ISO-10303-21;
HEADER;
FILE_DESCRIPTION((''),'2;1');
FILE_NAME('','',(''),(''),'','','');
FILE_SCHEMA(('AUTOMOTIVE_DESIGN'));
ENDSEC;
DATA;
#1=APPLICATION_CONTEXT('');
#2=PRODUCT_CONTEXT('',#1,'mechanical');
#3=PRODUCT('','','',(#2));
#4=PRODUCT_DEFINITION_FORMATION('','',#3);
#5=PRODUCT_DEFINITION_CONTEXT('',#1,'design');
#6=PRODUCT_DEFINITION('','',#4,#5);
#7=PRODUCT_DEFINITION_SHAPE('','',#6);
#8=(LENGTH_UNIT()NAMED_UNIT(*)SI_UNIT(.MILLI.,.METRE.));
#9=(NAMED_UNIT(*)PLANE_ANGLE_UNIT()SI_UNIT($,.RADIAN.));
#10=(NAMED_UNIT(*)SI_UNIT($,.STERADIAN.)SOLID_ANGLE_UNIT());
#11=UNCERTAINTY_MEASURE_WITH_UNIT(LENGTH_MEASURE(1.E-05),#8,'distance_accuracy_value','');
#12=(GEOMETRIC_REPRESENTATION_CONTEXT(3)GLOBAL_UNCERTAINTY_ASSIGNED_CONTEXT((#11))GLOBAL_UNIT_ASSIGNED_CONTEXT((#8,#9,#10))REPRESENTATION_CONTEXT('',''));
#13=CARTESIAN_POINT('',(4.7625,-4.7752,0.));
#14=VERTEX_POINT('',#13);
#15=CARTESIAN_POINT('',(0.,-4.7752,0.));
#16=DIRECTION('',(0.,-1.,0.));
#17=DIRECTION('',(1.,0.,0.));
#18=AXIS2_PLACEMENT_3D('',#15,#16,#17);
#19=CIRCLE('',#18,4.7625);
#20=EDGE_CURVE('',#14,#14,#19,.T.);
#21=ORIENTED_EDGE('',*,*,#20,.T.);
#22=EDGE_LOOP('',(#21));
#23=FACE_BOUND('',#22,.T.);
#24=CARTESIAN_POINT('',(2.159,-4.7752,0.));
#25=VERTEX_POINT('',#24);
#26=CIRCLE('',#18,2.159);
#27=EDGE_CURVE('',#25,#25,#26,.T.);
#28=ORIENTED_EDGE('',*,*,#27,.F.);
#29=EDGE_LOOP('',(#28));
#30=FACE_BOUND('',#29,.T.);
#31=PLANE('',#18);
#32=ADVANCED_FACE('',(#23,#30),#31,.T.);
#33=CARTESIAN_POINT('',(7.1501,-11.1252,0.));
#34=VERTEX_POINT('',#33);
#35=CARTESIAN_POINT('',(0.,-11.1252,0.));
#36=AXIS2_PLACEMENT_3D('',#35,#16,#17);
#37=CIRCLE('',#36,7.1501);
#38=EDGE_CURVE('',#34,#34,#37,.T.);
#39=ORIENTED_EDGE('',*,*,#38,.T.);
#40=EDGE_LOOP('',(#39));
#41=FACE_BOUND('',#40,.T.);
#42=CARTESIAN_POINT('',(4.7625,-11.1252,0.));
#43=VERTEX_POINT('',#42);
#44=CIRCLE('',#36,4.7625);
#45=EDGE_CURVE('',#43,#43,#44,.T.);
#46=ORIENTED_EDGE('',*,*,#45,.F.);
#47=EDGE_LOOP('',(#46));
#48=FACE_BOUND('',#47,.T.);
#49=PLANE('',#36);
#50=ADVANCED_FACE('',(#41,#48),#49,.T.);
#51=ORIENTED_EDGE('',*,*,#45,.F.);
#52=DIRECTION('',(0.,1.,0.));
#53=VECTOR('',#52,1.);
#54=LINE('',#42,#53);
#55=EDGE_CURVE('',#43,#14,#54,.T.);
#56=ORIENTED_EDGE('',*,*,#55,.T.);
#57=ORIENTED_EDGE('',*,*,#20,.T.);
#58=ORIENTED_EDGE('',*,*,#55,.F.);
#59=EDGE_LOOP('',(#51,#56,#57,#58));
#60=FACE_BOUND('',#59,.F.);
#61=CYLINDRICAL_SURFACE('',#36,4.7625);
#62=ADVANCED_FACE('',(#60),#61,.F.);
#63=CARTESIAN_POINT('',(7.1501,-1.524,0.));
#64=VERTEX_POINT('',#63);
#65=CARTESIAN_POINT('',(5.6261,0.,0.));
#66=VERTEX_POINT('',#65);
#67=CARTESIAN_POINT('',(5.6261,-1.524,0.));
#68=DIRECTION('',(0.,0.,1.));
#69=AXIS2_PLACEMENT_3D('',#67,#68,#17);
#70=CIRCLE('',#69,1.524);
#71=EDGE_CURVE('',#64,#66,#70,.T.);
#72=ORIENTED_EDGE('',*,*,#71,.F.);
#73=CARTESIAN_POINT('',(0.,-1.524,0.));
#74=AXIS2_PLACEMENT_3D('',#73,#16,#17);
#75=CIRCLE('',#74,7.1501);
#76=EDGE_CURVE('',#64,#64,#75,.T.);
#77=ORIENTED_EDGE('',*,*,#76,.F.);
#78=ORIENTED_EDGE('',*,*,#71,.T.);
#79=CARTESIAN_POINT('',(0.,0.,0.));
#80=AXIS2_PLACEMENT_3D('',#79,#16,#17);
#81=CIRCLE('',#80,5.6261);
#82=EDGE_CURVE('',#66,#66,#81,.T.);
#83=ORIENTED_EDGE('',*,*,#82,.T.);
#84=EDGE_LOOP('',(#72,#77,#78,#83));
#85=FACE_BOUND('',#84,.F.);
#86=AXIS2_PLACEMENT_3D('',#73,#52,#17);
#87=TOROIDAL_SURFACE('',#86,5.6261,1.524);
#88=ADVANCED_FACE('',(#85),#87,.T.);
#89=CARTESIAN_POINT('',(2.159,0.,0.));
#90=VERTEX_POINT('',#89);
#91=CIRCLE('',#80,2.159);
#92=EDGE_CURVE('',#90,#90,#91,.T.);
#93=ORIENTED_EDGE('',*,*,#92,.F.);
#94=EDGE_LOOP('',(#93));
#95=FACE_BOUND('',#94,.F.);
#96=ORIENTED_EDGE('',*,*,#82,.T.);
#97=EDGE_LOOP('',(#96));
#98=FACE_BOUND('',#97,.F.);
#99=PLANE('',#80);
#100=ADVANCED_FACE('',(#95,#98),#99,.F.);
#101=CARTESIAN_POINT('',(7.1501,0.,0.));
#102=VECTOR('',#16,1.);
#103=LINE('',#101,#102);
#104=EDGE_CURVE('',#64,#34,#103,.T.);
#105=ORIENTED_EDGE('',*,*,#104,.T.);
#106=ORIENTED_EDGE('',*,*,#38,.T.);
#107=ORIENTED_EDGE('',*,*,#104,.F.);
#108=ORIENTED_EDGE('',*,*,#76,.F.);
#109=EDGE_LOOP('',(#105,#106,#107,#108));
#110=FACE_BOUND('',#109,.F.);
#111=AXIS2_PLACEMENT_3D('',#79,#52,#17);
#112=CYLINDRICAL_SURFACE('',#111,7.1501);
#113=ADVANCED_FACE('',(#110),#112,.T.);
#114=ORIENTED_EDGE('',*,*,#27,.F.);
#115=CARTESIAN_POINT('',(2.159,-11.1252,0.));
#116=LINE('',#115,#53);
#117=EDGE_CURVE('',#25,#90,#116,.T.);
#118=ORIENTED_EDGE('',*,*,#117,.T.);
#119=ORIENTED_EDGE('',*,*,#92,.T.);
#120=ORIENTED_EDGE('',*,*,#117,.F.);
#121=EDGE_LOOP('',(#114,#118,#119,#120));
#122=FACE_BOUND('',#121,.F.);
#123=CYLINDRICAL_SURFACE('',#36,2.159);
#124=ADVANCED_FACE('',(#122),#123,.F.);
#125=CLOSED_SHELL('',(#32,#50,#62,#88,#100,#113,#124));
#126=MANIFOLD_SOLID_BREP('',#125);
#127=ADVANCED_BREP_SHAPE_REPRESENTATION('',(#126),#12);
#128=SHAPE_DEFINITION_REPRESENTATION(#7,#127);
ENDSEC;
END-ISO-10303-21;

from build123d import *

# Parameters (mm, degrees)
F0_R     = 7.1501
F1_DEPTH = 11.1252
F2_R     = 2.159
F3_DEPTH = 11.1262
F4_R     = 4.7625
F5_DEPTH = 6.35
F6_R     = 1.524


with BuildPart() as f1:
    # F0 (on Front) → F1 (new body)
    with BuildSketch(Plane.XZ):
        Circle(F0_R)
    extrude(amount=F1_DEPTH)

    # F2 (on face) → F3 (cut, through all)
    with BuildSketch(Plane.XZ.offset(11.1252)):
        Circle(F2_R)
    extrude(amount=-F3_DEPTH, mode=Mode.SUBTRACT)

    # F4 (on face) → F5 (cut)
    with BuildSketch(Plane.XZ.offset(11.1252)):
        Circle(F4_R)
    extrude(amount=-F5_DEPTH, mode=Mode.SUBTRACT)

    # F6
    f6_edges = [f1.edges().sort_by_distance(p)[0] for p in [
        (-7.1501, 0, 0),
    ]]
    fillet(f6_edges, radius=F6_R)


solid = f1.part
